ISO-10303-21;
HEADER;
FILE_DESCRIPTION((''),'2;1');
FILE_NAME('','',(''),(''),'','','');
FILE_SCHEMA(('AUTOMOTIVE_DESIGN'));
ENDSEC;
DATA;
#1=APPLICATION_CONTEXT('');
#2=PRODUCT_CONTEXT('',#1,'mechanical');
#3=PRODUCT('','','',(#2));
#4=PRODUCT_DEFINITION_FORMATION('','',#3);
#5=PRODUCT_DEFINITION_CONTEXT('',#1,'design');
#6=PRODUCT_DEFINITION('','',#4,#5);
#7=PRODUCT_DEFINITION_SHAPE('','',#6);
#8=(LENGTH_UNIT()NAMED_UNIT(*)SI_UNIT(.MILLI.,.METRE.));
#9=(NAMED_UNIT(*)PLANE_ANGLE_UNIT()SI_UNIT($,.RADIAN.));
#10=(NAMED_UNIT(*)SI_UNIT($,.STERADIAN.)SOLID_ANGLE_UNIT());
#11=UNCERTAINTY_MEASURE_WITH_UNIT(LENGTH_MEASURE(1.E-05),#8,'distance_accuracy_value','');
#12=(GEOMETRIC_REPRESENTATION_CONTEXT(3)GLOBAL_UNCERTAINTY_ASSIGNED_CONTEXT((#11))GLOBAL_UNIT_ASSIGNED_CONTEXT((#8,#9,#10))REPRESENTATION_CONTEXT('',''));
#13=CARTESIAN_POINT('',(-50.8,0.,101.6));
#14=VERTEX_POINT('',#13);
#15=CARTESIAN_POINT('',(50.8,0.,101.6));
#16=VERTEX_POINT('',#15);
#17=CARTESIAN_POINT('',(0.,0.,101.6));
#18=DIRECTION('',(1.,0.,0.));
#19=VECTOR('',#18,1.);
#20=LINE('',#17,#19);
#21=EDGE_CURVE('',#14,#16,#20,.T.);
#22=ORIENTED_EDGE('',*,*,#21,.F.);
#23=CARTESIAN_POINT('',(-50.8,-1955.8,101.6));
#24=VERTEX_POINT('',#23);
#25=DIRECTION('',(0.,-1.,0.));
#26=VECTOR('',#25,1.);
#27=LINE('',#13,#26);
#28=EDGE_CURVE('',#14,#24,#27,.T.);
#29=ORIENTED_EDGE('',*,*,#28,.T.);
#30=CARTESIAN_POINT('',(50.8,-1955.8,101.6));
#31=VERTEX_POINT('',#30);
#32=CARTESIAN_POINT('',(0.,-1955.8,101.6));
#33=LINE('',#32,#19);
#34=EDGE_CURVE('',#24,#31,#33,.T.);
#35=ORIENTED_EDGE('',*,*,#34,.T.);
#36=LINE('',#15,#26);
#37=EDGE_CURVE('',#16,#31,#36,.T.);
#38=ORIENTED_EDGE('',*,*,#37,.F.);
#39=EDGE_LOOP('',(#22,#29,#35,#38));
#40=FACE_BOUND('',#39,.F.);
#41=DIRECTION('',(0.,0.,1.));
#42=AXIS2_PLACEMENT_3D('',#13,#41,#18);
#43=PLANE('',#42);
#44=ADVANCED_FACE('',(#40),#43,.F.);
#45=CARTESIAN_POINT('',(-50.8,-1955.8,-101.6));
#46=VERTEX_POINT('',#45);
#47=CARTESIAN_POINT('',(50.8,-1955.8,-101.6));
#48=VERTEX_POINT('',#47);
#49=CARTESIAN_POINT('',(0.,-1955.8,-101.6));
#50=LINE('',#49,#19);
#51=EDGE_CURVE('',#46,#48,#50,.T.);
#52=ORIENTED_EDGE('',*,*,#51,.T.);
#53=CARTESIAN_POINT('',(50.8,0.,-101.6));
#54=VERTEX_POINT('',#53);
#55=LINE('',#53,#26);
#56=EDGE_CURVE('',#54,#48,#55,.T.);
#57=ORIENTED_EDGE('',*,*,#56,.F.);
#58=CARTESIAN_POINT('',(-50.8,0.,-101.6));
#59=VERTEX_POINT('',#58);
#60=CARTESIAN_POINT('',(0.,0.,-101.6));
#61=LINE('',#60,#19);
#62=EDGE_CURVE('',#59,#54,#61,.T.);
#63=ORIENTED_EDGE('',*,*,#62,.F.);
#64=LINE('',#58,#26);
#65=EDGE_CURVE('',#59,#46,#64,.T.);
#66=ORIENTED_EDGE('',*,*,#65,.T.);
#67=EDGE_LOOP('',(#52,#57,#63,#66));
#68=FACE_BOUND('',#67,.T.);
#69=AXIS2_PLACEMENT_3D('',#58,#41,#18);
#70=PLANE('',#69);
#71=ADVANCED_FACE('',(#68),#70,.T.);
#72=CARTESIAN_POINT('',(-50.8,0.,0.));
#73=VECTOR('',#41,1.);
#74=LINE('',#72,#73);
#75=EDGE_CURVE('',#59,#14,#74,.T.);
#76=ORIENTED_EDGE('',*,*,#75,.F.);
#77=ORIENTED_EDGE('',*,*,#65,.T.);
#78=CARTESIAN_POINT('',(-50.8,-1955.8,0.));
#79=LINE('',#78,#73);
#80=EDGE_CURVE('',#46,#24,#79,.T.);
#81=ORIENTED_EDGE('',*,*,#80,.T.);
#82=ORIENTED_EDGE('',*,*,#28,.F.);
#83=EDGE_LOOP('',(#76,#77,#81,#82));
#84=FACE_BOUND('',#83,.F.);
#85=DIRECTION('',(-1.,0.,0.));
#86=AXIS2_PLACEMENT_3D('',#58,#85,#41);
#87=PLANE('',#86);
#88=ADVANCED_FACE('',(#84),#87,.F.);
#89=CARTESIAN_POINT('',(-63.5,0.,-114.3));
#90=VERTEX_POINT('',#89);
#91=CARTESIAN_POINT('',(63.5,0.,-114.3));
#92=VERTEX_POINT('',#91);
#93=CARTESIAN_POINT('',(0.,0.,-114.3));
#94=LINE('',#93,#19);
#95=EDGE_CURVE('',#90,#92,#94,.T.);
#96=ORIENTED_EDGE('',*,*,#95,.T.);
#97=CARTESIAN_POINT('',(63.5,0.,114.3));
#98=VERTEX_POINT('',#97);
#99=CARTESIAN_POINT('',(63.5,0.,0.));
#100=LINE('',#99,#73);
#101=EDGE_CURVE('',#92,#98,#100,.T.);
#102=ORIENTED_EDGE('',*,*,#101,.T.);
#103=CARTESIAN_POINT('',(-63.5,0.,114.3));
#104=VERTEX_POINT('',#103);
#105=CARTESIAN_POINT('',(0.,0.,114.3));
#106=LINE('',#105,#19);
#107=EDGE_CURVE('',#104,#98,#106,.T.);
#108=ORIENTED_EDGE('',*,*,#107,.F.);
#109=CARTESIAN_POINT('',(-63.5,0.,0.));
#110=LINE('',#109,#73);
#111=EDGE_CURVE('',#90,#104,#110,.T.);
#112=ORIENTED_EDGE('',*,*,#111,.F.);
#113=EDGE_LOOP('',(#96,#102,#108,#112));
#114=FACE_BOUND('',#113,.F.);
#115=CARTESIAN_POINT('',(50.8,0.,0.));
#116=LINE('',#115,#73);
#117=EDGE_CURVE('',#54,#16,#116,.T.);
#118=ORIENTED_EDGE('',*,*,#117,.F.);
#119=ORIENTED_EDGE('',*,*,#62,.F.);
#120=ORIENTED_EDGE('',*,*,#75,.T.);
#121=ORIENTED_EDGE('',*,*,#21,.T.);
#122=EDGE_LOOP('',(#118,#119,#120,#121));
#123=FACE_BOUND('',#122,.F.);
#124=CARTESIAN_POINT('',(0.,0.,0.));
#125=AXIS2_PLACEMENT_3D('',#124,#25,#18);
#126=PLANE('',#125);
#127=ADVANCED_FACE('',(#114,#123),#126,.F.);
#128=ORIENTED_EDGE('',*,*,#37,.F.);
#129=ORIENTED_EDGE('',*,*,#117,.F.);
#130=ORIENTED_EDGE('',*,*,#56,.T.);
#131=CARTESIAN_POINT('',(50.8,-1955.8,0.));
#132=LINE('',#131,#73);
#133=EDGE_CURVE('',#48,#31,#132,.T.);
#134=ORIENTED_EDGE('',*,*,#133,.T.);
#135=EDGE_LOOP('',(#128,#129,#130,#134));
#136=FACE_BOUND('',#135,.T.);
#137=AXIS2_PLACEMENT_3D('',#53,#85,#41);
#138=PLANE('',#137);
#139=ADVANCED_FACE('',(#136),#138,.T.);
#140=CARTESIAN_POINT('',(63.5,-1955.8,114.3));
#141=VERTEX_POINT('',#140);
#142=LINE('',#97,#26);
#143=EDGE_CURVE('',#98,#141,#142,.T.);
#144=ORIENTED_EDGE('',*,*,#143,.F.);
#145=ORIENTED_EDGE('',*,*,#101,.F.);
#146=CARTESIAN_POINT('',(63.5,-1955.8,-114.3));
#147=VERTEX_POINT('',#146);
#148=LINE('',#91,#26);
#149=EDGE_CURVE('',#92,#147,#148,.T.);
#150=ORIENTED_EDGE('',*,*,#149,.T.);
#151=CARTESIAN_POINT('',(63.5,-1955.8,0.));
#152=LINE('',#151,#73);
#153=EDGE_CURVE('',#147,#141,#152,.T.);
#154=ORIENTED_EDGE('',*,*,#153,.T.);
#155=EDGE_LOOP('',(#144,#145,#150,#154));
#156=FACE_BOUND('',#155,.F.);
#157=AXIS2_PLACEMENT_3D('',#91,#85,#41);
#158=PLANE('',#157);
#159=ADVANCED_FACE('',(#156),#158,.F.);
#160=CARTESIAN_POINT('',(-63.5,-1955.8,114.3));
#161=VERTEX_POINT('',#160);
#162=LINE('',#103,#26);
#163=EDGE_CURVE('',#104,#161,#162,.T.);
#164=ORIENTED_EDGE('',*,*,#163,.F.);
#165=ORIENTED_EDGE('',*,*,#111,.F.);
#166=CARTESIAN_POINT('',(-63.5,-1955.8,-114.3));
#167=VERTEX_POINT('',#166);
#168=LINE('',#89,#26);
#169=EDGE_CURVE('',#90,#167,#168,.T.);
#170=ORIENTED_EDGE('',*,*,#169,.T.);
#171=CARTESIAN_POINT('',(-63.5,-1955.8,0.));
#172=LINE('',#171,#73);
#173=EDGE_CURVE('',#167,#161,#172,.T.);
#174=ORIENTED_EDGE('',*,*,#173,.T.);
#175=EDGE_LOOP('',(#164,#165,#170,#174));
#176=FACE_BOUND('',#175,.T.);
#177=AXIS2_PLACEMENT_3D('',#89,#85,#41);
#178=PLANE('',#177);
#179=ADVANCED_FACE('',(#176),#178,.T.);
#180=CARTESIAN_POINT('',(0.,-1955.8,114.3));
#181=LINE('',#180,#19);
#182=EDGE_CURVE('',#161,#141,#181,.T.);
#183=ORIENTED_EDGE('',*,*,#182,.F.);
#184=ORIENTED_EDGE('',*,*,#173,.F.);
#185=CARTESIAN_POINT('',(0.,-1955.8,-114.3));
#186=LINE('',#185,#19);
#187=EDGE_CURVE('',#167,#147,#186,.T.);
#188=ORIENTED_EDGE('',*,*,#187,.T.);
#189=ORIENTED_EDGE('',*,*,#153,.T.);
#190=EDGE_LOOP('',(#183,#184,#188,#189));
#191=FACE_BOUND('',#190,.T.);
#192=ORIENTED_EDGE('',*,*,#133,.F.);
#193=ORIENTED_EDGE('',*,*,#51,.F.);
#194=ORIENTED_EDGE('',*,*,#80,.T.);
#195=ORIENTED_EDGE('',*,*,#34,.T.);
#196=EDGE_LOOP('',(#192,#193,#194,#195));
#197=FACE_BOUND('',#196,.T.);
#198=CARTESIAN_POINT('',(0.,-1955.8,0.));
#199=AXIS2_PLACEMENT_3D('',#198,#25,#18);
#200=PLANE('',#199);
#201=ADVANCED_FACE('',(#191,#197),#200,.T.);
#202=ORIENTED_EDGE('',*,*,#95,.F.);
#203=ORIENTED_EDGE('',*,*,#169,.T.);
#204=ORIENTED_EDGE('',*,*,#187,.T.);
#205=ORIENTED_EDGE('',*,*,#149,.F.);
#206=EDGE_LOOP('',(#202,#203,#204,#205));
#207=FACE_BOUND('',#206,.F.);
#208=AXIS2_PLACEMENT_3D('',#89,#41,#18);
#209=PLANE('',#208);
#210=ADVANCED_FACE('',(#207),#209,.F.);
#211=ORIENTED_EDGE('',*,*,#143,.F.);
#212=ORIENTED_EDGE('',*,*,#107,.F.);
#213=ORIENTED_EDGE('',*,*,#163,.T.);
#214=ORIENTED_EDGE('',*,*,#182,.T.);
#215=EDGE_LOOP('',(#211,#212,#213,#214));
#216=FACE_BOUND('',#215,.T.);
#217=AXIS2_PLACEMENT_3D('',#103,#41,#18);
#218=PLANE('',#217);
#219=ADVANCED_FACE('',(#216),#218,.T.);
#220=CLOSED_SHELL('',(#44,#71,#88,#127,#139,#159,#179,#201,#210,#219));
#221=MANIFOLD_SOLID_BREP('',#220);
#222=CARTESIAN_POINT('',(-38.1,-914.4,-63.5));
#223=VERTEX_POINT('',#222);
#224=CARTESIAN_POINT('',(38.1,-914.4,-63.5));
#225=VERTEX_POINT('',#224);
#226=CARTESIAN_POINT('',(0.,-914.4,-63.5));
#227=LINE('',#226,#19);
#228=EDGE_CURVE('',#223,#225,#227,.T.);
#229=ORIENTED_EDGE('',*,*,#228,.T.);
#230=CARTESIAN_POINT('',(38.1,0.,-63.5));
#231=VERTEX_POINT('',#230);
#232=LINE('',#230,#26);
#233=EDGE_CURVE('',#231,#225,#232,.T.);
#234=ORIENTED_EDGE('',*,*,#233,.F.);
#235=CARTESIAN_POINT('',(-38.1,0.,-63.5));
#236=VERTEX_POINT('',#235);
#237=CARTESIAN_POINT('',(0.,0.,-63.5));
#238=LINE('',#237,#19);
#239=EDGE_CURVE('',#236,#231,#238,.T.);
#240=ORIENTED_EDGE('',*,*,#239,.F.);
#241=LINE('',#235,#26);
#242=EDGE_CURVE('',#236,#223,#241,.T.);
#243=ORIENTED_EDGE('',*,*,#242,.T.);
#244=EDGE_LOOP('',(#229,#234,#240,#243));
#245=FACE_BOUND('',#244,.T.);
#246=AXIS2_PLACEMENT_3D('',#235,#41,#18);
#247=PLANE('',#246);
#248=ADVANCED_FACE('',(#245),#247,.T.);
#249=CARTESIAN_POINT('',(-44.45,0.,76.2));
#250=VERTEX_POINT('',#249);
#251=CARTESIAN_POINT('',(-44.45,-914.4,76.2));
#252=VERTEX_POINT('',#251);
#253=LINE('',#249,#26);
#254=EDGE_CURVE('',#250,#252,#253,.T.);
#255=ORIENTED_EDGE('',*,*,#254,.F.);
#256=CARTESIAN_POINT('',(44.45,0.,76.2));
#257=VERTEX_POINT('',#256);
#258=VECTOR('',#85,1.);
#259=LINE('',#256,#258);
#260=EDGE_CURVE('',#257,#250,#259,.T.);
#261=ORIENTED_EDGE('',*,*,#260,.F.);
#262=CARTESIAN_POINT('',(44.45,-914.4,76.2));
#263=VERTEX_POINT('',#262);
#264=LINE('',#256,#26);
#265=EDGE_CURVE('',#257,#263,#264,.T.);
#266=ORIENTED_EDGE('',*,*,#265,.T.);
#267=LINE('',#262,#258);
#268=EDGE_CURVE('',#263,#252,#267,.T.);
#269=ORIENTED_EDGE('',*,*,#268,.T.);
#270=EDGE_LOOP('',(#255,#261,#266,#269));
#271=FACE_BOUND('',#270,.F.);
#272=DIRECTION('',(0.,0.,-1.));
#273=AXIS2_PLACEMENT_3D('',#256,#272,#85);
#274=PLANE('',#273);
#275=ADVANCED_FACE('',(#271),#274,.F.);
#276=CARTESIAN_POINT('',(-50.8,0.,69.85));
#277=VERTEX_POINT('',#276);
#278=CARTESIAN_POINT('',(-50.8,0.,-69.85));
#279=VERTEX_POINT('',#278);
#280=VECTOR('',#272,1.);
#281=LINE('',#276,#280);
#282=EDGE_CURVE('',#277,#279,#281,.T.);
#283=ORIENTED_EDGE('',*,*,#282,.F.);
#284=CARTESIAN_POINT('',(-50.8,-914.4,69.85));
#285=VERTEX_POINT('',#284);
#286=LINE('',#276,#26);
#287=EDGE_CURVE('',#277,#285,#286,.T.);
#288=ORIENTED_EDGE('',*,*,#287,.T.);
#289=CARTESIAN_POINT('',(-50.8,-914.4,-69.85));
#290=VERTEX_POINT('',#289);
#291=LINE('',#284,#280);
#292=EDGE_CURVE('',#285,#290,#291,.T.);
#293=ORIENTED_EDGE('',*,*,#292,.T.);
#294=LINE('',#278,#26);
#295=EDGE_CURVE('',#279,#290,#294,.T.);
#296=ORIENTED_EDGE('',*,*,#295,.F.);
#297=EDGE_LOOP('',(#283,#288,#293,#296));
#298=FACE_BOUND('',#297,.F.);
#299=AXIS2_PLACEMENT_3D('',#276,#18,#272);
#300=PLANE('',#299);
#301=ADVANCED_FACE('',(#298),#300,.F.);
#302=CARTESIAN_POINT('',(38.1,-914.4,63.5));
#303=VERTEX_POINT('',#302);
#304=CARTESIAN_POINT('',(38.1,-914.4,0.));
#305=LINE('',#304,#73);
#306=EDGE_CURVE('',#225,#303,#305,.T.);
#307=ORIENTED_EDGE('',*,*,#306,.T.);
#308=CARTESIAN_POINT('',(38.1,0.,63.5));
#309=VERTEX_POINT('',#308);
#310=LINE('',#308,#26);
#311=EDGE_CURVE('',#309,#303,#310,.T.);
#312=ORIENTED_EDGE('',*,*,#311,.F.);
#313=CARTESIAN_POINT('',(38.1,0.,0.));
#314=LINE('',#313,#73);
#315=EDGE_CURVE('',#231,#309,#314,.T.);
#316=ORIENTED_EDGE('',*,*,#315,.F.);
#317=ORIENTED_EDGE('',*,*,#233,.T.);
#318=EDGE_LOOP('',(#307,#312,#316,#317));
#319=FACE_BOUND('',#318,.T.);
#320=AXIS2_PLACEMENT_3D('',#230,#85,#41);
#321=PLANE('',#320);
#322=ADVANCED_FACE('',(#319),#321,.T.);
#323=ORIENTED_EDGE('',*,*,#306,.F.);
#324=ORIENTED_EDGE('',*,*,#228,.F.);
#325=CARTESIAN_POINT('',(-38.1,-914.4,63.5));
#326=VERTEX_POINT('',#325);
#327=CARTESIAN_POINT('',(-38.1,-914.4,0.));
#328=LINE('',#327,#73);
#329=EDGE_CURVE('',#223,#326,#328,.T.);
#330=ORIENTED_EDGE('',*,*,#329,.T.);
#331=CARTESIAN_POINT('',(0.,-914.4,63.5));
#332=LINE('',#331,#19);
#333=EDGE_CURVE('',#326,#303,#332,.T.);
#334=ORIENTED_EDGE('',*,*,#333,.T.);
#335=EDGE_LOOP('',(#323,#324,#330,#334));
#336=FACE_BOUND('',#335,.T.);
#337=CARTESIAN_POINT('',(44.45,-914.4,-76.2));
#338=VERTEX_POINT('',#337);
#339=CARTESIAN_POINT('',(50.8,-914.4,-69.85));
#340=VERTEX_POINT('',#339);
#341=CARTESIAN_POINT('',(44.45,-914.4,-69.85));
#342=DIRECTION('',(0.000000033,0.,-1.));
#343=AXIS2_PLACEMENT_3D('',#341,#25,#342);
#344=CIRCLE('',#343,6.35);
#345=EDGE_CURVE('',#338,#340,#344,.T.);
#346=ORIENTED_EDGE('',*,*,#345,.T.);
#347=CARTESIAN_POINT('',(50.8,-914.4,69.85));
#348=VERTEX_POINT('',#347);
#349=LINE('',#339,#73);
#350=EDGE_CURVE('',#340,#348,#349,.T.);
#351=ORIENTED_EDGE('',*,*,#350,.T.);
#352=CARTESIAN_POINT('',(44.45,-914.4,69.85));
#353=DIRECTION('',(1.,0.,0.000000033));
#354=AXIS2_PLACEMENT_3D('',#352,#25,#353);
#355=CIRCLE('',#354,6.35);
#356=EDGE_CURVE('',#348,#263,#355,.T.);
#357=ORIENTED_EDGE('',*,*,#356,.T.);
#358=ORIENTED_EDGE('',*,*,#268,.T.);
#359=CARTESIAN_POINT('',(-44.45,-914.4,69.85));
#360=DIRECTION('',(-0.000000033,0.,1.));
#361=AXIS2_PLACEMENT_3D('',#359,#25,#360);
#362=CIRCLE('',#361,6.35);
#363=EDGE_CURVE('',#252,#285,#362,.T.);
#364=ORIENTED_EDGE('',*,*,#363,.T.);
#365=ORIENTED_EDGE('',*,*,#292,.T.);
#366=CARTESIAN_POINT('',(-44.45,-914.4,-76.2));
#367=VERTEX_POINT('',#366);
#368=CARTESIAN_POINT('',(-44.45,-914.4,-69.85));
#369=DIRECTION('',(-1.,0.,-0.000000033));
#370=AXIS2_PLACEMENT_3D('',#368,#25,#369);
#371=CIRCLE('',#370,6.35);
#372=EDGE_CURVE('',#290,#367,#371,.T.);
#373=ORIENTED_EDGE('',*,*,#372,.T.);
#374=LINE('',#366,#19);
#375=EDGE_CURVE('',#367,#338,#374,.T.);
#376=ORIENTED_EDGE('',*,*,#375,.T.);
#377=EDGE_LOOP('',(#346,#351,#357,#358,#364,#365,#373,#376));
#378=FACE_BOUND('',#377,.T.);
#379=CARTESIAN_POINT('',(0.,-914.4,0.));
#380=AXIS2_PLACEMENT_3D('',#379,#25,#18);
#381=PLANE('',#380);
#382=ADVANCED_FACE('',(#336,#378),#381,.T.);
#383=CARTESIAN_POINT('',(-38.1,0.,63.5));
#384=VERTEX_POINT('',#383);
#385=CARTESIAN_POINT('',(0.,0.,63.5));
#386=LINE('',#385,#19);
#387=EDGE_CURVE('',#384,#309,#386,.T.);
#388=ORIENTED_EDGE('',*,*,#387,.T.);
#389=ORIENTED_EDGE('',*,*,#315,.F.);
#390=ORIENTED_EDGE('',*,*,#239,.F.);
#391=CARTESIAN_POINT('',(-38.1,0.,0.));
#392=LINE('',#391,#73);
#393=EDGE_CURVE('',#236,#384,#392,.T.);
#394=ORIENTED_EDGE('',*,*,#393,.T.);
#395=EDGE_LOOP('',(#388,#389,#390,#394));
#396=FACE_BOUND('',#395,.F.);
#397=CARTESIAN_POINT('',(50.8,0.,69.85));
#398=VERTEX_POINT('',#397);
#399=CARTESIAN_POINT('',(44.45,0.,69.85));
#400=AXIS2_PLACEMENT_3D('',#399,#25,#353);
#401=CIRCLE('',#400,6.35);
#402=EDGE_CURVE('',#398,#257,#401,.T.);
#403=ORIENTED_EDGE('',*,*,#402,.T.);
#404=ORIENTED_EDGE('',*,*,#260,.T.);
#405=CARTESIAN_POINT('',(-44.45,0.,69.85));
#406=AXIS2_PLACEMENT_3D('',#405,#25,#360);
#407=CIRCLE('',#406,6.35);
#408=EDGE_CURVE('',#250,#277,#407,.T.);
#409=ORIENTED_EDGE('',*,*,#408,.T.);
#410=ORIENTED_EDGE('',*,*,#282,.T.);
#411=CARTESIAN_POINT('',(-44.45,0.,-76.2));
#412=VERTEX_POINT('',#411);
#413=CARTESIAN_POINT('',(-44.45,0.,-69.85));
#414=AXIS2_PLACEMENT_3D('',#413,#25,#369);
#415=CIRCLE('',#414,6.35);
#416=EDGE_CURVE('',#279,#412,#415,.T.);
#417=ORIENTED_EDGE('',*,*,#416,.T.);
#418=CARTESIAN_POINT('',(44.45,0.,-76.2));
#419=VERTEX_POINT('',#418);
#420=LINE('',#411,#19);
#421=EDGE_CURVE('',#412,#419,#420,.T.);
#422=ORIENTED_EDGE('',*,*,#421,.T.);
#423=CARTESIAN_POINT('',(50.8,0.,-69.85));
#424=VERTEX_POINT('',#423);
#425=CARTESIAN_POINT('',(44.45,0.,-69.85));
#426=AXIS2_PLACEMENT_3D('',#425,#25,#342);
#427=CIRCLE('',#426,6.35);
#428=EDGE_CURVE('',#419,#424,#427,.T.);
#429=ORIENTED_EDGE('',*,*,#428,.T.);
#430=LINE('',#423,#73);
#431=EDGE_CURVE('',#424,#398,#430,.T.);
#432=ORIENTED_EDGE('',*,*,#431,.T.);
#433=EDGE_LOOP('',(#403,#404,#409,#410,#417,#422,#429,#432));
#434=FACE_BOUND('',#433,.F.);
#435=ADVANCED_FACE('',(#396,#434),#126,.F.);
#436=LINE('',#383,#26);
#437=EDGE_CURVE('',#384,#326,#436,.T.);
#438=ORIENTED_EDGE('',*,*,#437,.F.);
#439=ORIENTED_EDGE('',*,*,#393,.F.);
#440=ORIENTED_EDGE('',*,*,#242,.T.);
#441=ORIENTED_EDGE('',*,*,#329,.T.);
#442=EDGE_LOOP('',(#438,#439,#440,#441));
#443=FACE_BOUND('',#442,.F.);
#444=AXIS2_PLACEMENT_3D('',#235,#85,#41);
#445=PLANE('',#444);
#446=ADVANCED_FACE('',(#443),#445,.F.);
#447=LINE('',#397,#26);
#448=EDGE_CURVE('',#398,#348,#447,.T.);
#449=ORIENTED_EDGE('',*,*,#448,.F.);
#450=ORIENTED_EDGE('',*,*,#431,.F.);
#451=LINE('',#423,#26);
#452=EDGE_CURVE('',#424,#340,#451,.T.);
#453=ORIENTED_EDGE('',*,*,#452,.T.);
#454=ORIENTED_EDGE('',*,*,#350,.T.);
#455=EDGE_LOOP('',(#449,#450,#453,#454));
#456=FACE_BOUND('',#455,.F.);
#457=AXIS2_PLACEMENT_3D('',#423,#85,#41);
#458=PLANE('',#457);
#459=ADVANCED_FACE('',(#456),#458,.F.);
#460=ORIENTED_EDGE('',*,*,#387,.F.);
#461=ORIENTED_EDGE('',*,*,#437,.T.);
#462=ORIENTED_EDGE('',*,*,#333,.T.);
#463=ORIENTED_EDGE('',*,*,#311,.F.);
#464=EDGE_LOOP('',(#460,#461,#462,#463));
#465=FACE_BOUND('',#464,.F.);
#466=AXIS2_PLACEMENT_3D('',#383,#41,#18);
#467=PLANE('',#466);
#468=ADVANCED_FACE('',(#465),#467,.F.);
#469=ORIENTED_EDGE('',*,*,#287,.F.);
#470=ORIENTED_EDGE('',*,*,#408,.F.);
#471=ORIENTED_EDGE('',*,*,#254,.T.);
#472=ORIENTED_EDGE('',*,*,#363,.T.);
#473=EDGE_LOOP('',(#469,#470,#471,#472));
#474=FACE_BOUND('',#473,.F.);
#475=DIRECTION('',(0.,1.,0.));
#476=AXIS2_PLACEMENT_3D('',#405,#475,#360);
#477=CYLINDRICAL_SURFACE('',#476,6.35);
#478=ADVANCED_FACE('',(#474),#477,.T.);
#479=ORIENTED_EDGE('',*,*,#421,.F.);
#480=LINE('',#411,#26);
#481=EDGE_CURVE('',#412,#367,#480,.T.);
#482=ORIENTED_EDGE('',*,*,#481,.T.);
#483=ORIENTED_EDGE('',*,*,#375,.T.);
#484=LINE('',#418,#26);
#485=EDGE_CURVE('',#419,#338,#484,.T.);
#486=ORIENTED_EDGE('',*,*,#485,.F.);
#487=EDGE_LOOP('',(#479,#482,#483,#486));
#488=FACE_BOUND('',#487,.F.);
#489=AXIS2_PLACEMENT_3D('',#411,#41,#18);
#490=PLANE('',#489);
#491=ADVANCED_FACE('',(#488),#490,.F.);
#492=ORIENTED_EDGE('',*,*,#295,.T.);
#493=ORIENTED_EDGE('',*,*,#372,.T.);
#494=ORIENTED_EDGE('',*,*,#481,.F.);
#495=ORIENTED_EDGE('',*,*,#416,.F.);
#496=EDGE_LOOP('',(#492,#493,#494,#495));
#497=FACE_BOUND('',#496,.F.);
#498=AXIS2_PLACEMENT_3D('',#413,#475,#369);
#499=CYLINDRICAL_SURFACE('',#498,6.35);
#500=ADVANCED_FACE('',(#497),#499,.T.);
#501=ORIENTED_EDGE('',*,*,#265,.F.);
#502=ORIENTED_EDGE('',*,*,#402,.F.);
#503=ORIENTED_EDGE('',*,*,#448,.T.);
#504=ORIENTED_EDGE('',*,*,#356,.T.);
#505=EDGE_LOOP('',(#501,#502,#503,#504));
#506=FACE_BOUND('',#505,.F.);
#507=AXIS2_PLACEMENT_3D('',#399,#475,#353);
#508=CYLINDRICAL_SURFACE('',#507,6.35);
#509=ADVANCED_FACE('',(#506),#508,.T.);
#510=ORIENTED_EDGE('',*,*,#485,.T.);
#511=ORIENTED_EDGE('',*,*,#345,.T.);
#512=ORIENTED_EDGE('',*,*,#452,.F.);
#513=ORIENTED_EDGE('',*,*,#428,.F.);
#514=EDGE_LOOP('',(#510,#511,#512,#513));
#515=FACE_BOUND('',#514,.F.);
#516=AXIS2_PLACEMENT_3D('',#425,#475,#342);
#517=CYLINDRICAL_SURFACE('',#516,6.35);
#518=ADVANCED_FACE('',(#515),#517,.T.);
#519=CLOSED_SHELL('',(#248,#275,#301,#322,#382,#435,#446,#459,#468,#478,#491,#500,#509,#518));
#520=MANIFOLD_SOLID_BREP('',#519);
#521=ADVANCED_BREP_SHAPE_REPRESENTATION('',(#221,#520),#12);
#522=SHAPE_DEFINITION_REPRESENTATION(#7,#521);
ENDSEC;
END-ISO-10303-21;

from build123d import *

# Parameters (mm, degrees)
F0_W     = 127
F0_H     = 228.6
F0_W_2   = 101.6
F0_H_2   = 203.2
F1_DEPTH = 1955.8
F2_W     = 76.2
F2_H     = 127
F3_DEPTH = 914.4


with BuildPart() as f1:
    # F0 (on Front) → F1 (new body)
    with BuildSketch(Plane.XZ):
        Rectangle(F0_W, F0_H)
        Rectangle(F0_W_2, F0_H_2, mode=Mode.SUBTRACT)
    extrude(amount=F1_DEPTH)


with BuildPart() as f3:
    # F2 (on Front) → F3 (new body)
    with BuildSketch(Plane.XZ):
        with BuildLine():
            Line((-44.45, -76.2), (44.45, -76.2))
            ThreePointArc((44.45, -76.2), (48.940128, -74.340128), (50.8, -69.85))
            Line((50.8, -69.85), (50.8, 69.85))
            ThreePointArc((50.8, 69.85), (48.940128, 74.340128), (44.45, 76.2))
            Line((44.45, 76.2), (-44.45, 76.2))
            ThreePointArc((-44.45, 76.2), (-48.940128, 74.340128), (-50.8, 69.85))
            Line((-50.8, 69.85), (-50.8, -69.85))
            ThreePointArc((-50.8, -69.85), (-48.940128, -74.340128), (-44.45, -76.2))
        make_face()
        Rectangle(F2_W, F2_H, mode=Mode.SUBTRACT)
    extrude(amount=F3_DEPTH)


solid = Compound([f1.part, f3.part])
